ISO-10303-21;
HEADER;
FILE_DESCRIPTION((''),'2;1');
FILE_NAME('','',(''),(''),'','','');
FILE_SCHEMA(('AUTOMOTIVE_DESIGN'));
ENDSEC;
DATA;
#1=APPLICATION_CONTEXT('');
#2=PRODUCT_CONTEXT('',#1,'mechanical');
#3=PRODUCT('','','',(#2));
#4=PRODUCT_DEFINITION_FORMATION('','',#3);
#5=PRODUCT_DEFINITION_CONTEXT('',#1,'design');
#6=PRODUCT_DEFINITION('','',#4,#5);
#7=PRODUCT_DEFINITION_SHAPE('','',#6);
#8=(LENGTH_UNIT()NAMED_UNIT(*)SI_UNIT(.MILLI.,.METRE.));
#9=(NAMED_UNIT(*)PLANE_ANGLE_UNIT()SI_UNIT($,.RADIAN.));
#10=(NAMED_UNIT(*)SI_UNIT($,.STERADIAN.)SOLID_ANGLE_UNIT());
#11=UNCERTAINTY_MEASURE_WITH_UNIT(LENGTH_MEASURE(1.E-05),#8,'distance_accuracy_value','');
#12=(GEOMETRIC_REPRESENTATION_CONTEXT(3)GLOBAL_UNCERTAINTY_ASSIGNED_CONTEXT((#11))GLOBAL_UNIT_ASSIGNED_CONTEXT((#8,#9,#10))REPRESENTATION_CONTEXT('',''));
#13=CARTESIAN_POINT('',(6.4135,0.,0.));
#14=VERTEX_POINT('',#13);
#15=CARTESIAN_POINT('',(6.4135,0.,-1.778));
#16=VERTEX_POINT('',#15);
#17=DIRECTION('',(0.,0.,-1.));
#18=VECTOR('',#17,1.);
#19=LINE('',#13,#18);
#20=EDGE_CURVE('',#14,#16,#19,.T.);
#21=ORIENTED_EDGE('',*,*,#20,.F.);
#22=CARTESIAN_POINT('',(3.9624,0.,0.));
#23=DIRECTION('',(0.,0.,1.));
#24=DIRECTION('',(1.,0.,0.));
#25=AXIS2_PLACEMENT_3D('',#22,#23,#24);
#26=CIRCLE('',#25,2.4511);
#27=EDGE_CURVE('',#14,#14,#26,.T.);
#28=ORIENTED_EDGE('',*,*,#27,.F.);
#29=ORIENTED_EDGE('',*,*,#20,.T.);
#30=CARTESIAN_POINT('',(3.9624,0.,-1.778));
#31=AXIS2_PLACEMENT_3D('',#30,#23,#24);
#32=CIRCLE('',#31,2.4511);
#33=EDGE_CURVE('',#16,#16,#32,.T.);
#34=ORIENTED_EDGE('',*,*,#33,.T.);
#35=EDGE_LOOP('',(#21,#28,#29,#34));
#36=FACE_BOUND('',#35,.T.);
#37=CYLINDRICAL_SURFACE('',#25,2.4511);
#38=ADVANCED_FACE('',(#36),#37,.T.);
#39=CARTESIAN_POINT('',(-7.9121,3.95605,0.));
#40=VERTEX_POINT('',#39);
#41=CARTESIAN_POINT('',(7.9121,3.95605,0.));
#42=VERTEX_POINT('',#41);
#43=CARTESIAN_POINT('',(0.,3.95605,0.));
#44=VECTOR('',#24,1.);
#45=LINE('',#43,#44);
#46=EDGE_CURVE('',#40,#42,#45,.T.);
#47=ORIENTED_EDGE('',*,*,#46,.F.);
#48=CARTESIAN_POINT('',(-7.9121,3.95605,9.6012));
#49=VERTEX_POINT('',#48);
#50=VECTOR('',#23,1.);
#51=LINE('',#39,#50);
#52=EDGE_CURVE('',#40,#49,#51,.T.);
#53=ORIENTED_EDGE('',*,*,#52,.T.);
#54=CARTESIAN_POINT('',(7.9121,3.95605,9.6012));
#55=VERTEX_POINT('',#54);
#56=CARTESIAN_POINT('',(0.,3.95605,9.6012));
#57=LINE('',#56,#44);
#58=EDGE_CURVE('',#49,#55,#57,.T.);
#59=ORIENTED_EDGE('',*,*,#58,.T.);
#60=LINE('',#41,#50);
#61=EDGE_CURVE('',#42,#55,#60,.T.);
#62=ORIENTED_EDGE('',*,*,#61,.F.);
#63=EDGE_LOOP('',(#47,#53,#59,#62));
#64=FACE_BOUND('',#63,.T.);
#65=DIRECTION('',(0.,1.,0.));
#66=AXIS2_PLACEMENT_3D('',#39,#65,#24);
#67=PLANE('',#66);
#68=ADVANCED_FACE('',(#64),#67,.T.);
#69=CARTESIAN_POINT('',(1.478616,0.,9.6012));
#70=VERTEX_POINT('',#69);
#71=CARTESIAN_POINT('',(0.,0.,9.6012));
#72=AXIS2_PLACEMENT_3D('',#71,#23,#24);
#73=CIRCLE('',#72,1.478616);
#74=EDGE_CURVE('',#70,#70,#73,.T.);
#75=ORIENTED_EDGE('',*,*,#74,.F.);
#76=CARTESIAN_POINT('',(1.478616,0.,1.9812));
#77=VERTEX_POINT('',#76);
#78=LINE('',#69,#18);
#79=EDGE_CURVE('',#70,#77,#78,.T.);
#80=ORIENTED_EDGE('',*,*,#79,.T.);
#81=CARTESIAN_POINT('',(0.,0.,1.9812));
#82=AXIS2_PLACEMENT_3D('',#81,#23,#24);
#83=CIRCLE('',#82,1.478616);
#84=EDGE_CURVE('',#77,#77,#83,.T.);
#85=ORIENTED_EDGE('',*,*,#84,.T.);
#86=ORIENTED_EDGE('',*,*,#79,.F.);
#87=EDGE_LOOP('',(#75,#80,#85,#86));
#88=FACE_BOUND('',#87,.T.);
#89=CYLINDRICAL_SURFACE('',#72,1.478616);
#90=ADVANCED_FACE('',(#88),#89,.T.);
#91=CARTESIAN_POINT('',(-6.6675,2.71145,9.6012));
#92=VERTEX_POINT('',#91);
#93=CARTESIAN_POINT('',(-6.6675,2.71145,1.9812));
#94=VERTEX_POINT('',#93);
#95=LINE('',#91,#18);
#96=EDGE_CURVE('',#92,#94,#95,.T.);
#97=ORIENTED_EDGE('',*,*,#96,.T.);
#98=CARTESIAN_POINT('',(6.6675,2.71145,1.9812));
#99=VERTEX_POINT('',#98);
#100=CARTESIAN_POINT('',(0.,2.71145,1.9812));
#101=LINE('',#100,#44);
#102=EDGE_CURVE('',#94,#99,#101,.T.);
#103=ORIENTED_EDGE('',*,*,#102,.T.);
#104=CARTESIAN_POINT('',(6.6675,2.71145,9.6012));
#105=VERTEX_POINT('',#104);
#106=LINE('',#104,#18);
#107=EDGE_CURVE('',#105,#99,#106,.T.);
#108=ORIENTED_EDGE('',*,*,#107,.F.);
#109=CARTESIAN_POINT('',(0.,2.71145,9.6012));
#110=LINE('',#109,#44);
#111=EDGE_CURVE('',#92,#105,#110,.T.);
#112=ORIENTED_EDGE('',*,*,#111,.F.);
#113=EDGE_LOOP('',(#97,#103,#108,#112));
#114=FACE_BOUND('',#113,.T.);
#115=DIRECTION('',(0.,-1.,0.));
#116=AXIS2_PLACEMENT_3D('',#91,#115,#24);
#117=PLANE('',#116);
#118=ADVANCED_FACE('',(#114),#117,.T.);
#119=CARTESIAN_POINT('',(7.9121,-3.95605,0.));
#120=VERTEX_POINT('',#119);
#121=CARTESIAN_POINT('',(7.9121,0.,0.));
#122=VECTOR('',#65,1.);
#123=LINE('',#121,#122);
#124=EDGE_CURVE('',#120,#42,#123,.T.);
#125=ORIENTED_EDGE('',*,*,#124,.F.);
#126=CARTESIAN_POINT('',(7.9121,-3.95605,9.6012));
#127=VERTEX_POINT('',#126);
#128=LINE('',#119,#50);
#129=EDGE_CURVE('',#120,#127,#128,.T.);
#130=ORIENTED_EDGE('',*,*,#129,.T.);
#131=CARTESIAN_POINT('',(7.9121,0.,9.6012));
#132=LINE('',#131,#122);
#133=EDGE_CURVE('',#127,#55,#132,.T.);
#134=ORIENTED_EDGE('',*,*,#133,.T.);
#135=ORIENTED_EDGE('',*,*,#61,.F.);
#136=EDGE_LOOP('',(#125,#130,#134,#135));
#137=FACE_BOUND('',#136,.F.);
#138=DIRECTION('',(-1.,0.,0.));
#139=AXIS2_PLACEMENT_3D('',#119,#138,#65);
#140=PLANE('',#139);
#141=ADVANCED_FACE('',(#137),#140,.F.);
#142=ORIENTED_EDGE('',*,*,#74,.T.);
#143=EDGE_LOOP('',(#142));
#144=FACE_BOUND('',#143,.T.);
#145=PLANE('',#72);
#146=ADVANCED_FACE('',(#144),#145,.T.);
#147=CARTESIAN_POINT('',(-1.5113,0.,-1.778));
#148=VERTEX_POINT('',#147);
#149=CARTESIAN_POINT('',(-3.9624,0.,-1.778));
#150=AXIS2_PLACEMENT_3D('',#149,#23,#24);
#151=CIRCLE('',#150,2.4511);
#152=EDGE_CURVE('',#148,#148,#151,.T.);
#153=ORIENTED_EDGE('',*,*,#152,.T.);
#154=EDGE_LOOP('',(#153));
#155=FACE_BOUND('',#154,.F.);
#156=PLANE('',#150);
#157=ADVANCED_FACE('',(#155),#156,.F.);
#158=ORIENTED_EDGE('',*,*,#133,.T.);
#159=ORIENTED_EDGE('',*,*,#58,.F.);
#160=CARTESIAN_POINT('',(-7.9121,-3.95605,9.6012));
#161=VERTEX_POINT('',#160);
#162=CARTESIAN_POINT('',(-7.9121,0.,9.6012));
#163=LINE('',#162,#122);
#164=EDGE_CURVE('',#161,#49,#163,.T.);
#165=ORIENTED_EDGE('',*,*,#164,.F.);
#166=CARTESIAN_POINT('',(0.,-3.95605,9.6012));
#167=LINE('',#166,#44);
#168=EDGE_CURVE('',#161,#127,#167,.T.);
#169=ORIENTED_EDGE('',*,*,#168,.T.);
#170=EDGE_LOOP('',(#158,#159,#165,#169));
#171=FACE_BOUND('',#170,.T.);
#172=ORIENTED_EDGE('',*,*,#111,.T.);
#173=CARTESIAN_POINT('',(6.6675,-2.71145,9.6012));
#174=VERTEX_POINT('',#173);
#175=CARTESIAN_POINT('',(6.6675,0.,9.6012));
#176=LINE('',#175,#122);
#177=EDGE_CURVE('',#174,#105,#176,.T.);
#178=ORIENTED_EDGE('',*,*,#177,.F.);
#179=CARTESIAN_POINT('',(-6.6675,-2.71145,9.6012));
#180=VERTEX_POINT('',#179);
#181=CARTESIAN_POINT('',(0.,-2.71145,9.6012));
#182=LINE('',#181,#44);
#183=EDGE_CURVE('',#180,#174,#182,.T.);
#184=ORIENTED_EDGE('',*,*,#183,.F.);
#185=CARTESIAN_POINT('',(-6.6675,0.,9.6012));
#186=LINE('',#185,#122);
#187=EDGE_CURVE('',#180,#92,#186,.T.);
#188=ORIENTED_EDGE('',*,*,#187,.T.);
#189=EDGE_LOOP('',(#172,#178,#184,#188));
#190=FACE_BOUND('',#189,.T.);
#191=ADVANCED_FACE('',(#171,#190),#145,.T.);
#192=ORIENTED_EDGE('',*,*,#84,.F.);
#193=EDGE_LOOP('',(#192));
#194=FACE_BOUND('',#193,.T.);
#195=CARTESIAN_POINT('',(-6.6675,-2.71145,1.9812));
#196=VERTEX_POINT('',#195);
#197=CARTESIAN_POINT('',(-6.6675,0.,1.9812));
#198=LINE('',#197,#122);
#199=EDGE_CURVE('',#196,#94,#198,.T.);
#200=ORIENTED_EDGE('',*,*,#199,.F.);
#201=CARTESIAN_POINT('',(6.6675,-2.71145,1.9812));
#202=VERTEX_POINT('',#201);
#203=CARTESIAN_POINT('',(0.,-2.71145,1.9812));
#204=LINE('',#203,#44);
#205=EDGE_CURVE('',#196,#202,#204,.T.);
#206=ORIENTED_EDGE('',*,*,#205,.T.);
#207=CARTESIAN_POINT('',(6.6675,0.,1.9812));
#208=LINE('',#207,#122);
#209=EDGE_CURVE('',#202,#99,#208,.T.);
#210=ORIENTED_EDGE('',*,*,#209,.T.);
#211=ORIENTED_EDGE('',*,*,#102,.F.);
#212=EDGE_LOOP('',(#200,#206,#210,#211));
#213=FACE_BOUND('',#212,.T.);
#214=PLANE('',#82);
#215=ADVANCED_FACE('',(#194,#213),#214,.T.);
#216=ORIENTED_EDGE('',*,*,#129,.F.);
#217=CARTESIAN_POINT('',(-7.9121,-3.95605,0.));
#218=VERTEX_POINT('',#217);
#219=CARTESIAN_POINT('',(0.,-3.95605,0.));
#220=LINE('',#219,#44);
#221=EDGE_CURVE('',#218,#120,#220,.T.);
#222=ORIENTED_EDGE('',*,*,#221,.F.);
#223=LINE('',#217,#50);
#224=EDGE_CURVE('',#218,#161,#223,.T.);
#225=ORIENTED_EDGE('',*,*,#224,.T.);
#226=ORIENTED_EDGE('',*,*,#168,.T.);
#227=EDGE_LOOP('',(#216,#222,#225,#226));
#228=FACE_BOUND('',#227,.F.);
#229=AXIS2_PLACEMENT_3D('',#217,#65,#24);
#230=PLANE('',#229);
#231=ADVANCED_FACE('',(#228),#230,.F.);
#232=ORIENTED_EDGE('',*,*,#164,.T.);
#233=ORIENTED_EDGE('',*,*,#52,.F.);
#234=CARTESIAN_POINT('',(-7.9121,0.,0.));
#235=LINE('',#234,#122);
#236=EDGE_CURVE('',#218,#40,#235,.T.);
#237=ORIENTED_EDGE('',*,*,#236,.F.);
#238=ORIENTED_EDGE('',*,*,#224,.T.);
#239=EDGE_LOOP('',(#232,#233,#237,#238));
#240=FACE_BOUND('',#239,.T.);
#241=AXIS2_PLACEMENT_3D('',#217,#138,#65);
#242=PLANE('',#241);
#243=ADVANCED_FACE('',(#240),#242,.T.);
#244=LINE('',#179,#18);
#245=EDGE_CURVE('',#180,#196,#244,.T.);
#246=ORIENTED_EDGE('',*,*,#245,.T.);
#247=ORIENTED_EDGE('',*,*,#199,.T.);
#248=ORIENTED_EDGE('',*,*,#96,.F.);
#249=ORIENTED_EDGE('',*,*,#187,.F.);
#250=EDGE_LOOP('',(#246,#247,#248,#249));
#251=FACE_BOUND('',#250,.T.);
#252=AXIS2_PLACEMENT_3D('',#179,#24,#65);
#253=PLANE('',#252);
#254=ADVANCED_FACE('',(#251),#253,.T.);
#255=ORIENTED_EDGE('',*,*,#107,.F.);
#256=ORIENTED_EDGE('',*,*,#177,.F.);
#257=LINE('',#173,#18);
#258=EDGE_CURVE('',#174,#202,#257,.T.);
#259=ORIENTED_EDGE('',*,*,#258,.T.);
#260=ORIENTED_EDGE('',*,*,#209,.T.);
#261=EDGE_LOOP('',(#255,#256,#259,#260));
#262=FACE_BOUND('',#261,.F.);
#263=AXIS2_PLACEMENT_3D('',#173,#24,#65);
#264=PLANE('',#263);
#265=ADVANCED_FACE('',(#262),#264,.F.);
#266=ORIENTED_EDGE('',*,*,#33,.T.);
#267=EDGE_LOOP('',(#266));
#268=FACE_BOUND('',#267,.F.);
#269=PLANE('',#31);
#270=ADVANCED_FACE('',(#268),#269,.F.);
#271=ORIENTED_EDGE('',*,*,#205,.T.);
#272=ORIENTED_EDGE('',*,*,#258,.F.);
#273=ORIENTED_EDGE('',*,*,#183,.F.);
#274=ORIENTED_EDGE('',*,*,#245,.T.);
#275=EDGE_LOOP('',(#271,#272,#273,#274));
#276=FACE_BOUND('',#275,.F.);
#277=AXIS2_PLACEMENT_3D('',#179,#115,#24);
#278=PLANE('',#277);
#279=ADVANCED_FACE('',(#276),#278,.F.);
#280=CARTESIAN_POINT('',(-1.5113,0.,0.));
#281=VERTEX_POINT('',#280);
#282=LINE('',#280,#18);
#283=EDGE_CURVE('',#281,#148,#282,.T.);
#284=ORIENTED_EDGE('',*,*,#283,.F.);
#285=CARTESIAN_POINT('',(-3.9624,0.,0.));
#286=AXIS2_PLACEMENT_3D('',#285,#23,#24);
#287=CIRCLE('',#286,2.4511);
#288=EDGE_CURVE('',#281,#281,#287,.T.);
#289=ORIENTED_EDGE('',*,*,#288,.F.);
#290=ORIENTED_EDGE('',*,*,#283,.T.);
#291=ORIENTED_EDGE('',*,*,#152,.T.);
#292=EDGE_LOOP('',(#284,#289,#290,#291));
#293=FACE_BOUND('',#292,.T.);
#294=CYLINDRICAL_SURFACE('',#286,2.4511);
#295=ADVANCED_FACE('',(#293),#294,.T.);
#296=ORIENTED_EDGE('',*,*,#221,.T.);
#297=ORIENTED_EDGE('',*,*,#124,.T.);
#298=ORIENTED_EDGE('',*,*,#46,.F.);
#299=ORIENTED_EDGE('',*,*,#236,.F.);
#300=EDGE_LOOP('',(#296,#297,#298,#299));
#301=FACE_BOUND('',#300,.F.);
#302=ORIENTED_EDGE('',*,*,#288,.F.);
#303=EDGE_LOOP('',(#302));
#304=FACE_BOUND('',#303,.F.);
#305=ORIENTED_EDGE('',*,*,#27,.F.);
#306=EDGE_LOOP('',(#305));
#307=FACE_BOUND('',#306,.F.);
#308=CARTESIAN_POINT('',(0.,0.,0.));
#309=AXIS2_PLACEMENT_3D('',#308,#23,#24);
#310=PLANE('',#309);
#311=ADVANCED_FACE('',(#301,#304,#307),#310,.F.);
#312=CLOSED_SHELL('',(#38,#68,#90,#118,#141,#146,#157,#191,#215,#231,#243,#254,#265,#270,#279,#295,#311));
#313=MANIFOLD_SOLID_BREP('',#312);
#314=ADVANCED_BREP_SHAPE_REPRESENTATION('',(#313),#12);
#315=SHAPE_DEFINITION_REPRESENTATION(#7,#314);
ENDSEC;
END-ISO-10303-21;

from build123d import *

# Parameters (mm, degrees)
F0_W     = 15.8242
F0_H     = 7.9121
F2_DEPTH = 9.6012
F1_R     = 2.4511
F3_DEPTH = 1.778
F4_W     = 13.335
F4_H     = 5.4229
F6_DEPTH = 7.62
F5_R     = 1.478616
F7_DEPTH = 8.128


with BuildPart() as f2:
    # F0 (on Top) → F2 (new body)
    with BuildSketch(Plane.XY):
        Rectangle(F0_W, F0_H)
    extrude(amount=F2_DEPTH)

    # F1 (on face) → F3 (join)
    with BuildSketch(Plane.XY):
        with Locations((-3.9624, 0)):
            Circle(F1_R)
        with Locations((3.9624, 0)):
            Circle(F1_R)
    extrude(amount=-F3_DEPTH)

    # F4 (on face) → F6 (cut)
    with BuildSketch(Plane.XY.offset(9.6012)):
        Rectangle(F4_W, F4_H)
    extrude(amount=-F6_DEPTH, mode=Mode.SUBTRACT)

    # F5 (on face) → F7 (join)
    with BuildSketch(Plane.XY.offset(9.6012)):
        Circle(F5_R)
    extrude(amount=-F7_DEPTH)


solid = f2.part
